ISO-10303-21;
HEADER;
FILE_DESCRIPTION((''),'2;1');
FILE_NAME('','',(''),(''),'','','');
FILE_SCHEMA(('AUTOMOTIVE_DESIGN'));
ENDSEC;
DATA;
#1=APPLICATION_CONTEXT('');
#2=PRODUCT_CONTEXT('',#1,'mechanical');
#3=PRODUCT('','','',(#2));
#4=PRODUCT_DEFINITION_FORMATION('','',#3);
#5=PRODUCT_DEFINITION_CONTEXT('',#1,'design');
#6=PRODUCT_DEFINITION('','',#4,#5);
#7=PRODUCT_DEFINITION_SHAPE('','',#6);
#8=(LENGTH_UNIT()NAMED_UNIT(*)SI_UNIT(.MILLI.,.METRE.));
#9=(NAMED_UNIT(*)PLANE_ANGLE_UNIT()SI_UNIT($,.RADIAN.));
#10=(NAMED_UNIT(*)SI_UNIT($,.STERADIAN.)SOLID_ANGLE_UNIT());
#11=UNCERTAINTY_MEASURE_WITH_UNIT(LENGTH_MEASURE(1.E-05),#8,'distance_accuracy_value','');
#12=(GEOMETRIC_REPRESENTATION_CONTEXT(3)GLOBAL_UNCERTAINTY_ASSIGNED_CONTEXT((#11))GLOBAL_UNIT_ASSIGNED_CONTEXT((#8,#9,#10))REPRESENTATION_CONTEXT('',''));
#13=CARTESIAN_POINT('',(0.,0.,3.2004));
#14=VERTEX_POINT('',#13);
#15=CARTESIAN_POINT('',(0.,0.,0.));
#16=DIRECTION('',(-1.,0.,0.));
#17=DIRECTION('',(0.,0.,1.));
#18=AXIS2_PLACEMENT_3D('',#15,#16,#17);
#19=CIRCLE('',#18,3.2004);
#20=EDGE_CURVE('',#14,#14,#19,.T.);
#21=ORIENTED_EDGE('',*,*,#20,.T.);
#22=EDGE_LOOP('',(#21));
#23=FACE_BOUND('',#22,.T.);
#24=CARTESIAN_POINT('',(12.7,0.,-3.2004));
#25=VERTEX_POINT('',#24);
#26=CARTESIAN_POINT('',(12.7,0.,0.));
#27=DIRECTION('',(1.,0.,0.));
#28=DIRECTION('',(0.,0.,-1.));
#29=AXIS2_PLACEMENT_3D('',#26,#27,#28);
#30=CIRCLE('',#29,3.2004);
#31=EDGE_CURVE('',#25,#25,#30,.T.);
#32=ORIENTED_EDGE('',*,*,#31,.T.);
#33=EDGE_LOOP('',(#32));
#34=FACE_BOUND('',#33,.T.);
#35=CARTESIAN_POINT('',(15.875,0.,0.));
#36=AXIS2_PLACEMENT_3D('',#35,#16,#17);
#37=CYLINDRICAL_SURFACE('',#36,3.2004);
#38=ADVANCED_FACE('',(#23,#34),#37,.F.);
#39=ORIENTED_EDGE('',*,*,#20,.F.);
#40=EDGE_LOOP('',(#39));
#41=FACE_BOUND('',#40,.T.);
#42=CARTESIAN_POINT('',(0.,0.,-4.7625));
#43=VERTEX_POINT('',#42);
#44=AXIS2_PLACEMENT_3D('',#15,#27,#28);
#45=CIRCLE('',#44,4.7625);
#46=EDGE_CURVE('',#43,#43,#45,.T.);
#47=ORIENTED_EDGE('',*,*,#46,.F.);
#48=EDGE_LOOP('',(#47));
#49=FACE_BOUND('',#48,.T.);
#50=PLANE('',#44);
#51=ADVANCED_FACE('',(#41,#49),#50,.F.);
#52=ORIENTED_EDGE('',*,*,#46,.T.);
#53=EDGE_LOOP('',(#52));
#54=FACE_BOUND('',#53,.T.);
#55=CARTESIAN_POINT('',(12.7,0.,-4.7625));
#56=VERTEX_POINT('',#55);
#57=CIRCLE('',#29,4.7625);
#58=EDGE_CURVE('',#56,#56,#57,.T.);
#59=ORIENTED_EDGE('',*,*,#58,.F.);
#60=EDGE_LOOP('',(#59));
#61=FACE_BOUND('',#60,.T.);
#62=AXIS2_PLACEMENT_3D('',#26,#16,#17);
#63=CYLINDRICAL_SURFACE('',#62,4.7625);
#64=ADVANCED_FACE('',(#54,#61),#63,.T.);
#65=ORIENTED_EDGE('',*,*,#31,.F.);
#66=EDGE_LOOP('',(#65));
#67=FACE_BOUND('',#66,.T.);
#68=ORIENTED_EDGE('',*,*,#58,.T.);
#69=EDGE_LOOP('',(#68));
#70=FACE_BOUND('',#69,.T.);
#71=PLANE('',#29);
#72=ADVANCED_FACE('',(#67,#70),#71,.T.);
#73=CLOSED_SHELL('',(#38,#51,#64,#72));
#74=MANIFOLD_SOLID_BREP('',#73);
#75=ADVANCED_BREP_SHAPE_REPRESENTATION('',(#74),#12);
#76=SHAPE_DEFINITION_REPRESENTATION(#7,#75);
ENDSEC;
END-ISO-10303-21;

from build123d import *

# Parameters (mm, degrees)
SKETCH1_R           = 4.7625
BOSS_EXTRUDE1_DEPTH = 12.7
SKETCH2_R           = 3.2004
CUT_EXTRUDE1_DEPTH  = 15.875


with BuildPart() as part:
    # Sketch1 → Boss-Extrude1 (new body)
    with BuildSketch(Plane(origin=(0, 0, 0), x_dir=(0, 0, -1), z_dir=(1, 0, 0))):
        Circle(SKETCH1_R)
    extrude(amount=BOSS_EXTRUDE1_DEPTH)

    # Sketch2 → Cut-Extrude1 (cut)
    with BuildSketch(Plane.ZY):
        Circle(SKETCH2_R)
    extrude(amount=-CUT_EXTRUDE1_DEPTH, mode=Mode.SUBTRACT)


solid = part.part
